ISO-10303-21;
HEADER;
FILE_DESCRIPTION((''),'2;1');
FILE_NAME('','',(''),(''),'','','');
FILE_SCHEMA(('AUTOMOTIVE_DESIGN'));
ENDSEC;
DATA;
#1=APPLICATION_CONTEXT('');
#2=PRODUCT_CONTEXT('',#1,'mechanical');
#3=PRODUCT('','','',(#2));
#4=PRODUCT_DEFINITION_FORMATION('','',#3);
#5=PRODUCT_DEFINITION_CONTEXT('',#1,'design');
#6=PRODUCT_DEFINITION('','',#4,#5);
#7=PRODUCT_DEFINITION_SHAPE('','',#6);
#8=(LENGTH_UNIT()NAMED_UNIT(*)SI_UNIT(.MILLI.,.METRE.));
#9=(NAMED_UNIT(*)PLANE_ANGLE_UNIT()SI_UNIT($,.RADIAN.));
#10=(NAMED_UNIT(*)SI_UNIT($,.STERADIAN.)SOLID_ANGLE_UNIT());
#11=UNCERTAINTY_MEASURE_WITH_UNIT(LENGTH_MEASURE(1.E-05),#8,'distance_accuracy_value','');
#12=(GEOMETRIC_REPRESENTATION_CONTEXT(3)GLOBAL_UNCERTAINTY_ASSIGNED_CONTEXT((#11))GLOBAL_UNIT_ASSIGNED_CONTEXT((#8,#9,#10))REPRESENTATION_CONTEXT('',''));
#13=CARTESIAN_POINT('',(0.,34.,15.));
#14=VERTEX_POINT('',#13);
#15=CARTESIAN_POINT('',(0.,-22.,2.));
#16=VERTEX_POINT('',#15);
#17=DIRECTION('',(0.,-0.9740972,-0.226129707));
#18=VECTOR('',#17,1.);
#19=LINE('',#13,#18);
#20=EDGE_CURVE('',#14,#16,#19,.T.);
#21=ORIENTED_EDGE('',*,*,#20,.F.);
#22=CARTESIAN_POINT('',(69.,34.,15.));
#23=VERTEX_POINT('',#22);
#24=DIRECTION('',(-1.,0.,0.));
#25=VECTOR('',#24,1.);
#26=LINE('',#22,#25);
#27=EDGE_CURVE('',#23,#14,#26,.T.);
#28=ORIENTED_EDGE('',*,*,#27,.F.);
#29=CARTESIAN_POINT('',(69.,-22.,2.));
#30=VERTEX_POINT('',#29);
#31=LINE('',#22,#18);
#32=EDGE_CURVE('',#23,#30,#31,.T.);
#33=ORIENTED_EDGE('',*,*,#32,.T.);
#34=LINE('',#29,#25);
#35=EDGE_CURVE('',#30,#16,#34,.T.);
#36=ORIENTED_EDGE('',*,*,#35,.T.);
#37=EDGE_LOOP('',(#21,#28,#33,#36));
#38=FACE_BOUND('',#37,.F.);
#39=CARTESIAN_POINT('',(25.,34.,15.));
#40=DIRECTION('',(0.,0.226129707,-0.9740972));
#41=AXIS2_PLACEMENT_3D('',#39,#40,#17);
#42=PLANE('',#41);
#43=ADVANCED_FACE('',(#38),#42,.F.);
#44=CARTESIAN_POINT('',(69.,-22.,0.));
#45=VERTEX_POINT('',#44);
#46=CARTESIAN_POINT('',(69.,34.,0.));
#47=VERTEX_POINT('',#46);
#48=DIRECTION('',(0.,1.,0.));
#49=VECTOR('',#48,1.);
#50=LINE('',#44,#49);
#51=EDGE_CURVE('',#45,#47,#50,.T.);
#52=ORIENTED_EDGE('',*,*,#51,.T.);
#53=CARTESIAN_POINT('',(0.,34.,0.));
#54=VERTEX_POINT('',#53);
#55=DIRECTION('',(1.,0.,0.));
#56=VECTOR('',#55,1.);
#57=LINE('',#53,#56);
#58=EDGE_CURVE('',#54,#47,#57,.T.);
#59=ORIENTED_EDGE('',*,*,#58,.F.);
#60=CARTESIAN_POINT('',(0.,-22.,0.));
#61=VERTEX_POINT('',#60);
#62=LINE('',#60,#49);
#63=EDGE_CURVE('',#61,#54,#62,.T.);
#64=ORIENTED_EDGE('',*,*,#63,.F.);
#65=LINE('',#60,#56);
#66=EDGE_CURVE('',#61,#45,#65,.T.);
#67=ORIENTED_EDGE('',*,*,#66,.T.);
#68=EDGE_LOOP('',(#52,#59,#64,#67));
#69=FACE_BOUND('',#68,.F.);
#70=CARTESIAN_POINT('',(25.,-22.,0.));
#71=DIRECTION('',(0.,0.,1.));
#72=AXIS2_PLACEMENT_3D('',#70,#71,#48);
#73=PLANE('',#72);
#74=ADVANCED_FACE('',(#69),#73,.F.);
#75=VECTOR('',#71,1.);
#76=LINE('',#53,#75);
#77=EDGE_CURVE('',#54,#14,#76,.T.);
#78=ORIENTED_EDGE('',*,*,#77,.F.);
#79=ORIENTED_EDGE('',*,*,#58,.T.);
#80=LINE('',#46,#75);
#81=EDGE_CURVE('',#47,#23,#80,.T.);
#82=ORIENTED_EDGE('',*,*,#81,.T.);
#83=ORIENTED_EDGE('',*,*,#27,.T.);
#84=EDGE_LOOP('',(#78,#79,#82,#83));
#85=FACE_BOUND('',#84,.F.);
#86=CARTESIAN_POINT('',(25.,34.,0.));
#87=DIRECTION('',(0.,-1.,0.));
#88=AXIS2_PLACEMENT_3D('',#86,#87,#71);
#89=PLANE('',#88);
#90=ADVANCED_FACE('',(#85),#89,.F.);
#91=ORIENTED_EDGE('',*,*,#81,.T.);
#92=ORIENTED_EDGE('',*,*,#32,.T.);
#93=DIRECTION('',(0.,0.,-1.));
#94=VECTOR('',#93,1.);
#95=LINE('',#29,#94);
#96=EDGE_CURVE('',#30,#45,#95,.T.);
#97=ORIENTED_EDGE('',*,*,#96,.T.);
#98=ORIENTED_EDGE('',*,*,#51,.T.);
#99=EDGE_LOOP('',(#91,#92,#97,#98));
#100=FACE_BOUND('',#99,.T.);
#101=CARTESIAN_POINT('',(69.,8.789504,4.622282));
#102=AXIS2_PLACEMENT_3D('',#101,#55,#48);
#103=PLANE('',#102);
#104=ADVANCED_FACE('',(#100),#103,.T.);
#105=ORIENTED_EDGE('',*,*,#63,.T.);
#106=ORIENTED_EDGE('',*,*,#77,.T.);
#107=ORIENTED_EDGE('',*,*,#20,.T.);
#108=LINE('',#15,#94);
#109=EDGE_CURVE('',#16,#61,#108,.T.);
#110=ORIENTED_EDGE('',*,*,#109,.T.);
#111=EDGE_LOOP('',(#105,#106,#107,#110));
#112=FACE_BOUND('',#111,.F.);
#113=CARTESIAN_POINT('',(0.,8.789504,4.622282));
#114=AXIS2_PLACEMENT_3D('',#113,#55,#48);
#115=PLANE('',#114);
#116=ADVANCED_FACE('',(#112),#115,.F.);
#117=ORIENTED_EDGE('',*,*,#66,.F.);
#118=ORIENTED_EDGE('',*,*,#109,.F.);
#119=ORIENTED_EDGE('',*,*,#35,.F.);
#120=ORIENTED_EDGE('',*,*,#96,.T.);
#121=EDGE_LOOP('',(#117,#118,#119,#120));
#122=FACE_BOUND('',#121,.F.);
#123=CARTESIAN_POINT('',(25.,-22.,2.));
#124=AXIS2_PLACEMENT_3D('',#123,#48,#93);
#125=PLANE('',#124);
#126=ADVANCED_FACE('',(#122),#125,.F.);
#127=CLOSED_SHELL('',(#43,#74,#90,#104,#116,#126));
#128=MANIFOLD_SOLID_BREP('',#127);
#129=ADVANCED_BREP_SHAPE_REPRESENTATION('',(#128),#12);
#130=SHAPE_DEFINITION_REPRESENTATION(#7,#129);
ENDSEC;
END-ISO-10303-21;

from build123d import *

# Parameters (mm, degrees)
F1_DEPTH = 25
F2_DEPTH = 44


with BuildPart() as f1:
    # F0 (on Right) → F1 (new body)
    with BuildSketch(Plane.YZ):
        Polygon((-22, 2), (-22, 0), (34, 0), (34, 15), align=None)
    extrude(amount=F1_DEPTH)

    # F1_face (on face) → F2 (join)
    with BuildSketch(Plane(origin=(25, 13.137255, 5.078431), x_dir=(0, 1, 0), z_dir=(1, 0, 0))):
        Polygon((-35.137255, -3.078431), (-35.137255, -5.078431), (20.862745, -5.078431), (20.862745, 9.921569), align=None)
    extrude(amount=F2_DEPTH)


solid = f1.part
